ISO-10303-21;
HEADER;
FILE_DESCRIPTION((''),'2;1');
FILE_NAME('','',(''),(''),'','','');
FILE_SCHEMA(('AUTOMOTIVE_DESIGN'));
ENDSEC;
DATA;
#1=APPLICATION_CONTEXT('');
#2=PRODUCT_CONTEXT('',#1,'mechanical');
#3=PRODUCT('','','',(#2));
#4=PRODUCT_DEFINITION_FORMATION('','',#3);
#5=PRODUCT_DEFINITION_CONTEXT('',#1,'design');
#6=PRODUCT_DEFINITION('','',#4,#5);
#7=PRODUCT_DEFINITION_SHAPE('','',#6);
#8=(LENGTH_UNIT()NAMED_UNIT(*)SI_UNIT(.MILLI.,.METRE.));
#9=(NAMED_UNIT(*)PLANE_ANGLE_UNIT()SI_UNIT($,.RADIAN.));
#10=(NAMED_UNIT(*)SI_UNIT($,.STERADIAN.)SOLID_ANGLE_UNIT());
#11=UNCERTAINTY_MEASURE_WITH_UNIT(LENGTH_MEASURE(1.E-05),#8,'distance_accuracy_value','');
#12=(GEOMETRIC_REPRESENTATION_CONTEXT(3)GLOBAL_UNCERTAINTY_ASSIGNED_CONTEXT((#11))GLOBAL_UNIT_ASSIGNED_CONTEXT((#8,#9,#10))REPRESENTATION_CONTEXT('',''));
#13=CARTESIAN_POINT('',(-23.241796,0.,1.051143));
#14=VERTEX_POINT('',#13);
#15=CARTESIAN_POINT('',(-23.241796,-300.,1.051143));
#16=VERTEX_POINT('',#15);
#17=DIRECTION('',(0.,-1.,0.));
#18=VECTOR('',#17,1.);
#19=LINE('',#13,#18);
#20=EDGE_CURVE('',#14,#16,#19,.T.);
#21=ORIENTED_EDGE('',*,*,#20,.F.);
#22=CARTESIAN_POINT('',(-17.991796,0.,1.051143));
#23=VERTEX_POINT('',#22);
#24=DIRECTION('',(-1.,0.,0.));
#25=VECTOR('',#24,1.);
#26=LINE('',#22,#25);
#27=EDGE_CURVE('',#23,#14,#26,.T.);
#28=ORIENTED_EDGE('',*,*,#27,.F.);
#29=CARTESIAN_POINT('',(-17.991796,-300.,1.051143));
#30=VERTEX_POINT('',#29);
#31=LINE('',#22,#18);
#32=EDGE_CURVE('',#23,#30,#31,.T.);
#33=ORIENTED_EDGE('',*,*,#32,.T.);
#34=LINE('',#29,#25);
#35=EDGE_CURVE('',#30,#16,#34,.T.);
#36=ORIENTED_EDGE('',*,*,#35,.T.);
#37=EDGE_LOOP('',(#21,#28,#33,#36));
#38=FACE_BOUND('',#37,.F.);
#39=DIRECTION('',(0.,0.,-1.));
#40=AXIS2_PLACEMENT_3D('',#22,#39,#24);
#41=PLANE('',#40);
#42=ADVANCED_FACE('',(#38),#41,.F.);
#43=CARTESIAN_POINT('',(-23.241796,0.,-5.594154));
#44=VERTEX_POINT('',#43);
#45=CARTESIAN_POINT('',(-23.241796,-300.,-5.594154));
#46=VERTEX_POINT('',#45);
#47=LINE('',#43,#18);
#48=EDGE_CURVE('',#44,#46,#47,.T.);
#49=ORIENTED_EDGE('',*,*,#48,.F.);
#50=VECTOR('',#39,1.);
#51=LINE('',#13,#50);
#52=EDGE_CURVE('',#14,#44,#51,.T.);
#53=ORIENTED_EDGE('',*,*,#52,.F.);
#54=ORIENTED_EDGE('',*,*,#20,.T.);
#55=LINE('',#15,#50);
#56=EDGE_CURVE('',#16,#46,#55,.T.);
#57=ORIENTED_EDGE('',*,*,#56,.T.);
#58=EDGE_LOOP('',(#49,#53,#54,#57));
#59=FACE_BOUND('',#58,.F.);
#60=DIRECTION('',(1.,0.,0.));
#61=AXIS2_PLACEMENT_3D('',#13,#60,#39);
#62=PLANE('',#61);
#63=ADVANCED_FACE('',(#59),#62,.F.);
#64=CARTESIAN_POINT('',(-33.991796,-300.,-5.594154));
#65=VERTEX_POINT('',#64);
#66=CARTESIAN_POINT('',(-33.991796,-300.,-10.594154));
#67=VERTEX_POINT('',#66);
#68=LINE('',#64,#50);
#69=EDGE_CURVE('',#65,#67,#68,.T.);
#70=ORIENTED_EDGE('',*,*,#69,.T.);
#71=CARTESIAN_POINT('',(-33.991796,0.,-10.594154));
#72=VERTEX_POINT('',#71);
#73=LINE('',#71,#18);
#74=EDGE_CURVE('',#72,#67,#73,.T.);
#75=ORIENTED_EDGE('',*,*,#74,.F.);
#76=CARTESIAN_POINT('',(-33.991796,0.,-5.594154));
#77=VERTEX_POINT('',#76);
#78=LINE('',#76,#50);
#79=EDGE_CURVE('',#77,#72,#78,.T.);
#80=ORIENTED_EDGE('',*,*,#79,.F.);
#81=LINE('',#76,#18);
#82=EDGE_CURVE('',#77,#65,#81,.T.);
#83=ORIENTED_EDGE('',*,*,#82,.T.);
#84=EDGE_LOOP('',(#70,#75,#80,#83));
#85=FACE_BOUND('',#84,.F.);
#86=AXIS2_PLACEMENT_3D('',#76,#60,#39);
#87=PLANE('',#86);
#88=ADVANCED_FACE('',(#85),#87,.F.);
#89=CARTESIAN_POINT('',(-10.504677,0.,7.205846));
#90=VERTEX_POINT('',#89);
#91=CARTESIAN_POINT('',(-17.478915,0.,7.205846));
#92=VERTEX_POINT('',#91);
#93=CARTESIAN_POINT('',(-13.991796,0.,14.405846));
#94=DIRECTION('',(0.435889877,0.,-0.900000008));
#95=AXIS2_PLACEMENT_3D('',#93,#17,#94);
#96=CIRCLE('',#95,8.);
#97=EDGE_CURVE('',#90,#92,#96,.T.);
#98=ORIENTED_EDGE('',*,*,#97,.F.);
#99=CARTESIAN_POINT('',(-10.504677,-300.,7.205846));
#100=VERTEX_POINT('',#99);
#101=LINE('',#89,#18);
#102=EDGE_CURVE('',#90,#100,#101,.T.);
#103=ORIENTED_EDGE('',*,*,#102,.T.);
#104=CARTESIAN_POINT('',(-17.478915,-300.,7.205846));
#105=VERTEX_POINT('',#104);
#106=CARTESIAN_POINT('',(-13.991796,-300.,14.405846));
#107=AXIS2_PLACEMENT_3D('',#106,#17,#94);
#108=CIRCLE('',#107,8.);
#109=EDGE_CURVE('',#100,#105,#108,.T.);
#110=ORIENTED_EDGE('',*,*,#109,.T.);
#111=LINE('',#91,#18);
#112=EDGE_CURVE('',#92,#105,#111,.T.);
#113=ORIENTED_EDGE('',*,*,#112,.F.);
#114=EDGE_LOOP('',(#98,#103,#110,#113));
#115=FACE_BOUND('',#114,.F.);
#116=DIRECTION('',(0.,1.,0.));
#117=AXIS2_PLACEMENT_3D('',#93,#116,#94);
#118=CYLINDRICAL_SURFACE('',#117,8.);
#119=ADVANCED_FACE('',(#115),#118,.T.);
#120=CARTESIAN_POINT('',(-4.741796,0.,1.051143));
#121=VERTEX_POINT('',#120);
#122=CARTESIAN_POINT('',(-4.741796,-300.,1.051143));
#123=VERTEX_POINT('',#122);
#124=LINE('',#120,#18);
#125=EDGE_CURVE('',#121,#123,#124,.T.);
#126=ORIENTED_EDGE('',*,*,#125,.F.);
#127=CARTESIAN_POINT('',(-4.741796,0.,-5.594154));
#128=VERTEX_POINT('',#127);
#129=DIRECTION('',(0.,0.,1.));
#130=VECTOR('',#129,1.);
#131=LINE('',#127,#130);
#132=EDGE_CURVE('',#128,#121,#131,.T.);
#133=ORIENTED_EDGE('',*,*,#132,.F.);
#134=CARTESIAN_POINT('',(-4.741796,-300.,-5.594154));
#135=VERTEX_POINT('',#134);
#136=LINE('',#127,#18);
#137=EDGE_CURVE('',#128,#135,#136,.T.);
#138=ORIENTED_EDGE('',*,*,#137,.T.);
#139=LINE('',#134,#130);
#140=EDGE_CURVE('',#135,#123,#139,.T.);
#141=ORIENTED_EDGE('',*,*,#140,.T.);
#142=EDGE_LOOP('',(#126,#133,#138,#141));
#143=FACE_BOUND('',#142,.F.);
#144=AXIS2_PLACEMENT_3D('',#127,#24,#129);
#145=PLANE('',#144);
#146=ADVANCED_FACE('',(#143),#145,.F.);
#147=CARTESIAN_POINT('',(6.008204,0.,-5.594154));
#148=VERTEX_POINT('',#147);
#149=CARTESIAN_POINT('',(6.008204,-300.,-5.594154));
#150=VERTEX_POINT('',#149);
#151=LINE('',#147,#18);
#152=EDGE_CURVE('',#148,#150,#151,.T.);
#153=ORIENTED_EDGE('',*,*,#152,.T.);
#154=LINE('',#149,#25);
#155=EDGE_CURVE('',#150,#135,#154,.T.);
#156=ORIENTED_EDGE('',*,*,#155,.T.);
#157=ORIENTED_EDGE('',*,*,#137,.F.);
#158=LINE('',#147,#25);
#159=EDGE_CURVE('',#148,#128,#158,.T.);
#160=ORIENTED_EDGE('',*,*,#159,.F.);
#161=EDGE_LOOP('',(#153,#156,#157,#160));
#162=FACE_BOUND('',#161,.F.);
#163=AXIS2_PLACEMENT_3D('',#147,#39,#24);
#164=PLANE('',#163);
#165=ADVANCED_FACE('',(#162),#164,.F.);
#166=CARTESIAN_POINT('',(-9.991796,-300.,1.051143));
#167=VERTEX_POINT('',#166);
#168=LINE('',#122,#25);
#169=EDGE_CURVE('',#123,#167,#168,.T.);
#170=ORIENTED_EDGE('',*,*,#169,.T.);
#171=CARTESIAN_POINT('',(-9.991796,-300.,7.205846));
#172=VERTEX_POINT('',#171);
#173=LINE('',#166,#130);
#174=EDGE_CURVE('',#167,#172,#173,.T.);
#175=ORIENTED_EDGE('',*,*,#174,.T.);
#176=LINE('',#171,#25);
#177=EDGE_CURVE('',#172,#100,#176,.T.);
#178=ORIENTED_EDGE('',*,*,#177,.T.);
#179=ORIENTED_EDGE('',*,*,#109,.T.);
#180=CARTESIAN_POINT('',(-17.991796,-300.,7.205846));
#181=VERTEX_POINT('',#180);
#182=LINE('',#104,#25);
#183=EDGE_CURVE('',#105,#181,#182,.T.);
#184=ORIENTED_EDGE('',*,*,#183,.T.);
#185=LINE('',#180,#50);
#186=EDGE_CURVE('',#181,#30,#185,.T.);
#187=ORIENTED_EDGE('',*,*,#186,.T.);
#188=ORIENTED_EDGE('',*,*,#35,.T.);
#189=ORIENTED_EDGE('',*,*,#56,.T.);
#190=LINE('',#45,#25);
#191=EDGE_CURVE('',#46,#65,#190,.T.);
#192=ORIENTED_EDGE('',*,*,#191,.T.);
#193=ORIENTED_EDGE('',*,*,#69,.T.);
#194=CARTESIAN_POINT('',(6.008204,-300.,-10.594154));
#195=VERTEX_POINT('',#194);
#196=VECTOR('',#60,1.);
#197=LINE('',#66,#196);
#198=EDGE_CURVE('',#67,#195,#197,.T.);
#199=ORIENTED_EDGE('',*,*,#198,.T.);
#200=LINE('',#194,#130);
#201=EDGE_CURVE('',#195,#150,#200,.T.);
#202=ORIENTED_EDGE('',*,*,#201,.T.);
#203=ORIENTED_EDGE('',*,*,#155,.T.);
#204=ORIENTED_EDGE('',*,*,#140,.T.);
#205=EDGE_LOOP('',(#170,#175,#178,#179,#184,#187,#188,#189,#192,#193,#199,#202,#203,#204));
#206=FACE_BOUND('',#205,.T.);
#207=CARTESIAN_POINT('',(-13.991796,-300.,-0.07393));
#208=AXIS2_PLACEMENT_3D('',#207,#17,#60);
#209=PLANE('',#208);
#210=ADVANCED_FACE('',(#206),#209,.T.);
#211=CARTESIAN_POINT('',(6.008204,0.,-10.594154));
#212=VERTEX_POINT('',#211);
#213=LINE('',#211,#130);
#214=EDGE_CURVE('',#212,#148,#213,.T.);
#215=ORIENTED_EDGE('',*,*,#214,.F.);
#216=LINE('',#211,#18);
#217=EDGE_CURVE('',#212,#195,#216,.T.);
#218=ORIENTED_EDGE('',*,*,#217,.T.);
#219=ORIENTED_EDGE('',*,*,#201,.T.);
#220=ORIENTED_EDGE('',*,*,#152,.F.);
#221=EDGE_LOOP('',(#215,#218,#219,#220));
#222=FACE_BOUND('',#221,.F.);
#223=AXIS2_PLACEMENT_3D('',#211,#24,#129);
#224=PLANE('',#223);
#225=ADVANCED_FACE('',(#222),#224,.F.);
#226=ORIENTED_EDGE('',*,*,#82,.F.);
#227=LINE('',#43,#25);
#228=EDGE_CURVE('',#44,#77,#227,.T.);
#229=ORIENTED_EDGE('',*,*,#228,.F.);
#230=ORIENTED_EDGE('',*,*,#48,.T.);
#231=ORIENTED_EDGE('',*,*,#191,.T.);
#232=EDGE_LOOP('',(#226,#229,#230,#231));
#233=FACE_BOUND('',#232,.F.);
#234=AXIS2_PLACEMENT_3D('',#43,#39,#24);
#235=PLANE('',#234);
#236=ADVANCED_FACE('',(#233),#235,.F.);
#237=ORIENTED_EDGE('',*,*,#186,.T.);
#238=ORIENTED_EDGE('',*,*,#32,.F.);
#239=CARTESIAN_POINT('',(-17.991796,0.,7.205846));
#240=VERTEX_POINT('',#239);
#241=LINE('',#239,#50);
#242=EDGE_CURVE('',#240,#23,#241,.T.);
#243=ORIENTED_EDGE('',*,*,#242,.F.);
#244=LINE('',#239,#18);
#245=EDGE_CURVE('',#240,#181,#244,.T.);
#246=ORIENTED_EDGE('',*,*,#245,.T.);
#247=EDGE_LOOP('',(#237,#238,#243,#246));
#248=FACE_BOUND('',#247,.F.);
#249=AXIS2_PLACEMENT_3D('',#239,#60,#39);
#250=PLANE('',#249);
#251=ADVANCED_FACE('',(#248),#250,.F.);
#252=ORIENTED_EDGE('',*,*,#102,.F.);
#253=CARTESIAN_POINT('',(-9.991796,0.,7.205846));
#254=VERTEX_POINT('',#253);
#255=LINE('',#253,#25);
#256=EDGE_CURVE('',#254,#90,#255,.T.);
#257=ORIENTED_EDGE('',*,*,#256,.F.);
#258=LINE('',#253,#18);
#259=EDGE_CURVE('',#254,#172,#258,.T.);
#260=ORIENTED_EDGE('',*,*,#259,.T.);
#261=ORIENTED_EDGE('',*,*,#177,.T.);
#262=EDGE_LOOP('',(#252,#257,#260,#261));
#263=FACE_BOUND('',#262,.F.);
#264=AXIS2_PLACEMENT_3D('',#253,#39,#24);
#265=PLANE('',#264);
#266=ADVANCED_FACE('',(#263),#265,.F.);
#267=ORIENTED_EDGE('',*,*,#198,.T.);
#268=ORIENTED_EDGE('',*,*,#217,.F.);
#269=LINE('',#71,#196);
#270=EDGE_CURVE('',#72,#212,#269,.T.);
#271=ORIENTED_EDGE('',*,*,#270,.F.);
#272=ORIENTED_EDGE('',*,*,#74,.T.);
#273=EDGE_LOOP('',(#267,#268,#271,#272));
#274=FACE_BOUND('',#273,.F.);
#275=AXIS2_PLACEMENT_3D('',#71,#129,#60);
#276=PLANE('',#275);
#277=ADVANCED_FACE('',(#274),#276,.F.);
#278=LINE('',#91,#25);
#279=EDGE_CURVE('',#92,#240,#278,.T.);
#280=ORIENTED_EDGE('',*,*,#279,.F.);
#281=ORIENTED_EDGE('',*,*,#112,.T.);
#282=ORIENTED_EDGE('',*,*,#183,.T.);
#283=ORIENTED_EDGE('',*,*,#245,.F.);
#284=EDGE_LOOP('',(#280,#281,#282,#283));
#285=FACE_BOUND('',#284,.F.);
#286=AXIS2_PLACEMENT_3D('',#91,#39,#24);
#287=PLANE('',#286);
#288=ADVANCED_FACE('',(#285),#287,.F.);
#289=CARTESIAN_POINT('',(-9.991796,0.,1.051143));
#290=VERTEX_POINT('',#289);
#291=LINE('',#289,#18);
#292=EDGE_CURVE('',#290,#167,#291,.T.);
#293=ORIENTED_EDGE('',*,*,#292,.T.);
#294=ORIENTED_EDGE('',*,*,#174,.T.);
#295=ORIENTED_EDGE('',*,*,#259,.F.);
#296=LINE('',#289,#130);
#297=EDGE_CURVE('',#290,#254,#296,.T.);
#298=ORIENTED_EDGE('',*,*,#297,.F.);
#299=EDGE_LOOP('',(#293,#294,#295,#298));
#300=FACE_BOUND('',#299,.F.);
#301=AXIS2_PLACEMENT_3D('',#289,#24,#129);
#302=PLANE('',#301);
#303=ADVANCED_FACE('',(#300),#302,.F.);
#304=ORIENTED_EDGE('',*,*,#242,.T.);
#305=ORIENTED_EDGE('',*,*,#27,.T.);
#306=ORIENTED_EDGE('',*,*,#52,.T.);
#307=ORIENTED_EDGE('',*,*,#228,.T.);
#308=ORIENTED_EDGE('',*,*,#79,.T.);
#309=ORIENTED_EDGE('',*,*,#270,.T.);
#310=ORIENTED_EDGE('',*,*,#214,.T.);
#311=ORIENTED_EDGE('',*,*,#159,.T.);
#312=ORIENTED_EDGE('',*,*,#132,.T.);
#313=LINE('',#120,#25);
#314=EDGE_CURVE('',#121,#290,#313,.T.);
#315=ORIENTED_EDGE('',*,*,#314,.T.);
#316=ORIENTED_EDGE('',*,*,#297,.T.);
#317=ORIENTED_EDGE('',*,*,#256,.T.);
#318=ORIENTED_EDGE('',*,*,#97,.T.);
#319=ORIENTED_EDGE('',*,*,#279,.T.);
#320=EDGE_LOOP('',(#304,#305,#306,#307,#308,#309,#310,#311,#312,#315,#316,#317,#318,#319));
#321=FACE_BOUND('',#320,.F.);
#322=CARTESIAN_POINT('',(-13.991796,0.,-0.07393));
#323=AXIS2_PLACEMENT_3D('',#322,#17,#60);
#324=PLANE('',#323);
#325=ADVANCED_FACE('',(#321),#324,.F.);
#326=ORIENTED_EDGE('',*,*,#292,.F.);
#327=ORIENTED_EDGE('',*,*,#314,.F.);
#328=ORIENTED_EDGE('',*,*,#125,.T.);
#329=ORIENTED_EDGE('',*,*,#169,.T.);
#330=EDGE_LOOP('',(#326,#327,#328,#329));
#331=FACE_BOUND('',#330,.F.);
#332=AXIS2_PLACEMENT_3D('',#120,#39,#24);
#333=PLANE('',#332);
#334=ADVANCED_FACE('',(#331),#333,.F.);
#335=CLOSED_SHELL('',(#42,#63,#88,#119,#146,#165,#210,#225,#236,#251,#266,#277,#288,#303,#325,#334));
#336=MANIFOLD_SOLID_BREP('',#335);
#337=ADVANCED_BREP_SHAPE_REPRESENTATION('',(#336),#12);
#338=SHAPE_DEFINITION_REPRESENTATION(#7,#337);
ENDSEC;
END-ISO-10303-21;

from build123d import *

# Parameters (mm, degrees)
F1_DEPTH = 300


with BuildPart() as f1:
    # F0 (on Front) → F1 (new body)
    with BuildSketch(Plane.XZ):
        with BuildLine():
            Line((-33.991796, -5.594154), (-33.991796, -10.594154))
            Line((-33.991796, -10.594154), (6.008204, -10.594154))
            Line((6.008204, -10.594154), (6.008204, -5.594154))
            Line((6.008204, -5.594154), (-4.741796, -5.594154))
            Line((-4.741796, -5.594154), (-4.741796, 1.051143))
            Line((-4.741796, 1.051143), (-9.991796, 1.051143))
            Line((-9.991796, 1.051143), (-9.991796, 7.205846))
            Line((-9.991796, 7.205846), (-10.504677, 7.205846))
            ThreePointArc((-10.504677, 7.205846), (-13.991796, 22.405846), (-17.478915, 7.205846))
            Line((-17.478915, 7.205846), (-17.991796, 7.205846))
            Line((-17.991796, 7.205846), (-17.991796, 1.051143))
            Line((-17.991796, 1.051143), (-23.241796, 1.051143))
            Line((-23.241796, 1.051143), (-23.241796, -5.594154))
            Line((-23.241796, -5.594154), (-33.991796, -5.594154))
        make_face()
    extrude(amount=F1_DEPTH)


solid = f1.part
